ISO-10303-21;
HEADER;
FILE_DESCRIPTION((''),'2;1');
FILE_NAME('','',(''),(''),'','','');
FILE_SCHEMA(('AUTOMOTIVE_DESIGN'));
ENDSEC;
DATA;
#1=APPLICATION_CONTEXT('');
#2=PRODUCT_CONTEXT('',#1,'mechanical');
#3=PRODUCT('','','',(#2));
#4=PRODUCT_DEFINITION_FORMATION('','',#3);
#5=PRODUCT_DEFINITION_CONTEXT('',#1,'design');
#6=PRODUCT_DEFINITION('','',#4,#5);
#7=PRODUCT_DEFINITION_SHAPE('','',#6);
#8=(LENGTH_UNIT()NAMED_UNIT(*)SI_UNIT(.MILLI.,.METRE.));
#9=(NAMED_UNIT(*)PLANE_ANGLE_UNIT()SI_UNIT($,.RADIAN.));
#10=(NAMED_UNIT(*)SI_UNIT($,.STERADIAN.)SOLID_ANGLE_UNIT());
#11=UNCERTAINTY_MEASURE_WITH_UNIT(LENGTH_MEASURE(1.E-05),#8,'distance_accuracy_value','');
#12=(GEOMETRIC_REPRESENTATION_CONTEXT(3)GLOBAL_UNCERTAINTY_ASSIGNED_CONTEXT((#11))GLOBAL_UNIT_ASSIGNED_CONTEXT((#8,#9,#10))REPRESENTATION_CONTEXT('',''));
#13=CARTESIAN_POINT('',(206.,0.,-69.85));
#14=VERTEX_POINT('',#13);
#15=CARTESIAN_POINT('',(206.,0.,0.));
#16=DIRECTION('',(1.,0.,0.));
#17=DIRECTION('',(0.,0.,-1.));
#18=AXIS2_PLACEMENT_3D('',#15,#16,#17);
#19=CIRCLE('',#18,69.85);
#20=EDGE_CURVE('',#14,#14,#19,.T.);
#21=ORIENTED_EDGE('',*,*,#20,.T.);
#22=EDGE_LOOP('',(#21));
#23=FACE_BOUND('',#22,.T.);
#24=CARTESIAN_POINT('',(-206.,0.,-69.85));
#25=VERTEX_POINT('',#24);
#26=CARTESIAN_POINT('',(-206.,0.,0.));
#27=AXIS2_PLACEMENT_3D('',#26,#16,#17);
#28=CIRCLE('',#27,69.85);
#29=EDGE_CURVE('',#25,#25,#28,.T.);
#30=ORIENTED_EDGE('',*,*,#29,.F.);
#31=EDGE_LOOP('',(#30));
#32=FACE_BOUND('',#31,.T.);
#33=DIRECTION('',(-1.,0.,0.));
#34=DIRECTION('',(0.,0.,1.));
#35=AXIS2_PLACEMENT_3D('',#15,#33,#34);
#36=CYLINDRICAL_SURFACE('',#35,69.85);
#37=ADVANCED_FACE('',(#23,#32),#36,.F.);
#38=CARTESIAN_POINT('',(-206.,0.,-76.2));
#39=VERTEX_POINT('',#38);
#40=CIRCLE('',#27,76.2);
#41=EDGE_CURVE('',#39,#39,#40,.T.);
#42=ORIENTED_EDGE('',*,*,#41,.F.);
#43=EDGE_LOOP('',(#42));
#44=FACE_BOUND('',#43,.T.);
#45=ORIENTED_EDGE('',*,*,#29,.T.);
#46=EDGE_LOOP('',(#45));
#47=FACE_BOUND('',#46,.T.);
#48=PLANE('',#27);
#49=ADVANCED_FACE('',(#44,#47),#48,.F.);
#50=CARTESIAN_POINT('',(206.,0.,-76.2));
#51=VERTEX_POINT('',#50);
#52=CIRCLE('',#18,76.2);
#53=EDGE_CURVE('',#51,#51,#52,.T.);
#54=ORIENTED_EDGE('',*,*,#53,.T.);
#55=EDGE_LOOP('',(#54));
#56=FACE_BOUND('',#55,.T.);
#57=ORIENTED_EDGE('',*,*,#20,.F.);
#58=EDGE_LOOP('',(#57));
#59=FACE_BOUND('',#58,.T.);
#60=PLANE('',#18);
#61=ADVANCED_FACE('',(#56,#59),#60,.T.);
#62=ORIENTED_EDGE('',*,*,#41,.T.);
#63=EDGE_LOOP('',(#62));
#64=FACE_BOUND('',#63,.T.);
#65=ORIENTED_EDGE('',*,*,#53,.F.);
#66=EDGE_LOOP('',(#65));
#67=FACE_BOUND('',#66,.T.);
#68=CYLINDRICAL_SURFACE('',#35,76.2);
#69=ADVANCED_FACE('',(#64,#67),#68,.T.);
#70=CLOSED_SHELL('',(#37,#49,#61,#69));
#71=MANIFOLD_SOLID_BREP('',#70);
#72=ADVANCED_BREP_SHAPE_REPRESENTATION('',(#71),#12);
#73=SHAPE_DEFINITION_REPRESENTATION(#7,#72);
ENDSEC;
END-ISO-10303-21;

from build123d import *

# Parameters (mm, degrees)
SKETCH1_R           = 76.2
SKETCH1_R_2         = 69.85
BOSS_EXTRUDE1_DEPTH = 206


with BuildPart() as part:
    # Sketch1 → Boss-Extrude1 (new body, symmetric)
    with BuildSketch(Plane(origin=(0, 0, 0), x_dir=(0, 0, -1), z_dir=(1, 0, 0))):
        Circle(SKETCH1_R)
        Circle(SKETCH1_R_2, mode=Mode.SUBTRACT)
    extrude(amount=BOSS_EXTRUDE1_DEPTH, both=True)


solid = part.part
